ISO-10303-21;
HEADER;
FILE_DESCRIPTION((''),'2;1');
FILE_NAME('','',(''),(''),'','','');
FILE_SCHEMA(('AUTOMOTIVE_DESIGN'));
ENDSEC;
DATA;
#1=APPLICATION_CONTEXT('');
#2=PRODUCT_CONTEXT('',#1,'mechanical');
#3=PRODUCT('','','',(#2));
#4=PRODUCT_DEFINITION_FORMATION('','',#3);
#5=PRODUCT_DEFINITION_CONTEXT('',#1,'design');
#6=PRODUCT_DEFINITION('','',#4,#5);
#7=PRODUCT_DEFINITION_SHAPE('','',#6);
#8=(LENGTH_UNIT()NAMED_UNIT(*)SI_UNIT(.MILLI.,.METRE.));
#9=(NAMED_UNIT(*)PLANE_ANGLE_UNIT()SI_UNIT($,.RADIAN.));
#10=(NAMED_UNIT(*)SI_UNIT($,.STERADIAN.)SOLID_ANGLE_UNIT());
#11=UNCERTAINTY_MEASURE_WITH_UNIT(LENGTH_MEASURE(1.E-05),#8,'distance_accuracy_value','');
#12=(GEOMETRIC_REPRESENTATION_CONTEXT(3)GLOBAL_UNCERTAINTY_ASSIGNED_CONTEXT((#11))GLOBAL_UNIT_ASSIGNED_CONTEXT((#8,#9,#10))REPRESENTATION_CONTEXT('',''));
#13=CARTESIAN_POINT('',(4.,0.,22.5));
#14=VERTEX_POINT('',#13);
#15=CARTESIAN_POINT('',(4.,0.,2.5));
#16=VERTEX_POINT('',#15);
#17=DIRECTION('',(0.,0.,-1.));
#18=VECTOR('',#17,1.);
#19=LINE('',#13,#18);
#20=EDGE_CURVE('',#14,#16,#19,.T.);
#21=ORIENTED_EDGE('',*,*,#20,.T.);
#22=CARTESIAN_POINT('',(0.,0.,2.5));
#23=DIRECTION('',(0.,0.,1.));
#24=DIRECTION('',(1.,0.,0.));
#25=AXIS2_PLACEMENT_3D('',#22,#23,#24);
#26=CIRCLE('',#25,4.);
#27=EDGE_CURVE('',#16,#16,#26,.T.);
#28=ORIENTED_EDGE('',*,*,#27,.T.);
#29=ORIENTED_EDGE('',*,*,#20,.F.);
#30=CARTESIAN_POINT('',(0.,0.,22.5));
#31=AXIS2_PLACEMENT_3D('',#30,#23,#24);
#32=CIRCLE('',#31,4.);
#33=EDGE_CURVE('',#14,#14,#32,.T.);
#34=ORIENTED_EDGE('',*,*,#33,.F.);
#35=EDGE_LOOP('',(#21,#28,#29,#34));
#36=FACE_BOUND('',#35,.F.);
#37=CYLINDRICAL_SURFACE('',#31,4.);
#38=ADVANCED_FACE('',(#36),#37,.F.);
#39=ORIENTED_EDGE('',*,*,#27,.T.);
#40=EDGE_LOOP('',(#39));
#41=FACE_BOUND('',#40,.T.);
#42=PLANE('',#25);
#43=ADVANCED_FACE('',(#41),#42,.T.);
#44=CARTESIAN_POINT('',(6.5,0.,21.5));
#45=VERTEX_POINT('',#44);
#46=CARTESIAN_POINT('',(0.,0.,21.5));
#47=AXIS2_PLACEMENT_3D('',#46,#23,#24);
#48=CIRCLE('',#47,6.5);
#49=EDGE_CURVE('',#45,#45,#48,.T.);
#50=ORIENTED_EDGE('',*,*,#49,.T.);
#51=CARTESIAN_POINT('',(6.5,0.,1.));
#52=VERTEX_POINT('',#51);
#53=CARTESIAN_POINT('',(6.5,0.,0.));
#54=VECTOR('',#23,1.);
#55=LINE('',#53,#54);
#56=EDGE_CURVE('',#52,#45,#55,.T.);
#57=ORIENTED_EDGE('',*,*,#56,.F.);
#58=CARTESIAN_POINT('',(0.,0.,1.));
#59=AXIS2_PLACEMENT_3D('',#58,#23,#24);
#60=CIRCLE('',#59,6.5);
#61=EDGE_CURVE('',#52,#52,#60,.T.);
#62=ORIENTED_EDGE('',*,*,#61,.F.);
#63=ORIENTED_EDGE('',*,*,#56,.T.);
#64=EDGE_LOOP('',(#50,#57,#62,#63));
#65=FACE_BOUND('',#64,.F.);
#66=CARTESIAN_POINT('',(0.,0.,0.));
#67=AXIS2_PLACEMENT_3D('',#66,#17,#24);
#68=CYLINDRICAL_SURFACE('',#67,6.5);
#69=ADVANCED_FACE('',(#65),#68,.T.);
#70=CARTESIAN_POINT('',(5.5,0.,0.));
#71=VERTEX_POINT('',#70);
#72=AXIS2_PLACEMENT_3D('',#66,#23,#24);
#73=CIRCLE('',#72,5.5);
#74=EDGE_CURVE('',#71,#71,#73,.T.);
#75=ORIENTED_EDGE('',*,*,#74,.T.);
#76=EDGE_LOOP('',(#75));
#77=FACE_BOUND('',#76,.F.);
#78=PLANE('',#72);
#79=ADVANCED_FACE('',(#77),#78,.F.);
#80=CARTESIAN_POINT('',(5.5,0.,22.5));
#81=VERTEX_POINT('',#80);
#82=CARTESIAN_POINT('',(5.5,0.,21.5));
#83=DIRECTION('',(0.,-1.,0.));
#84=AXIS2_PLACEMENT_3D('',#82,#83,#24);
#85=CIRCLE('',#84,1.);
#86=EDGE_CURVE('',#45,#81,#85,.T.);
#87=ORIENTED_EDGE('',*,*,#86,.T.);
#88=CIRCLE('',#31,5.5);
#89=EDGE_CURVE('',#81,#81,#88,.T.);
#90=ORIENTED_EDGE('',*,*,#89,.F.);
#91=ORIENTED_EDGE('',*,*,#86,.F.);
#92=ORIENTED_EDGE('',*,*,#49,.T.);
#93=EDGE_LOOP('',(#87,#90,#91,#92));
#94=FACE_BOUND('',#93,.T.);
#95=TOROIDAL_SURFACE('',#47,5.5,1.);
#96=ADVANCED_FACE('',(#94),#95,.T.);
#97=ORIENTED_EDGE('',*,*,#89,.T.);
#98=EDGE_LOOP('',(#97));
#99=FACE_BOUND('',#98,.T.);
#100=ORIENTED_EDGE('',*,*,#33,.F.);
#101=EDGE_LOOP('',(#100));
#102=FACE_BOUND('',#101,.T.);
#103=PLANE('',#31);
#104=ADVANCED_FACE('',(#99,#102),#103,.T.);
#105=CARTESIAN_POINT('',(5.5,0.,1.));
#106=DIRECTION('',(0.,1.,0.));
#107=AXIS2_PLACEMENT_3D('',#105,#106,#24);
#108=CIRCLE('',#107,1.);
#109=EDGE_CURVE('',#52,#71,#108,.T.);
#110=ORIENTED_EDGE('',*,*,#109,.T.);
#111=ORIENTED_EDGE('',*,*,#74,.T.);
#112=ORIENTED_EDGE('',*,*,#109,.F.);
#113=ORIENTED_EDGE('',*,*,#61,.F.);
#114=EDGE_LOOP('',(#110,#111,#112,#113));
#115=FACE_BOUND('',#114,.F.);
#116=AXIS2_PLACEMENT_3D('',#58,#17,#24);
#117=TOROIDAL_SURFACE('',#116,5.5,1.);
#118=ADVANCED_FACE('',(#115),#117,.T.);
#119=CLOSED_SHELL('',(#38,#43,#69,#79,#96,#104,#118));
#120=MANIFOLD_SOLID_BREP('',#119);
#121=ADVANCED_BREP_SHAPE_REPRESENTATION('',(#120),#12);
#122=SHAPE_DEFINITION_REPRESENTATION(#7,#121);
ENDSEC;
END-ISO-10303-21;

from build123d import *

# Parameters (mm, degrees)
SKETCH_R     = 6.5
PAD_DEPTH    = 22.5
SKETCH001_R  = 4
POCKET_DEPTH = 20
FILLET_R     = 1


with BuildPart() as part:
    # Sketch → Pad (new body)
    with BuildSketch(Plane.XY):
        Circle(SKETCH_R)
    extrude(amount=PAD_DEPTH)

    # Sketch001 (on Face3 of Pad) → Pocket (cut)
    with BuildSketch(Plane.XY.offset(22.5)):
        Circle(SKETCH001_R)
    extrude(amount=-POCKET_DEPTH, mode=Mode.SUBTRACT)

    # Fillet
    fillet_edges = [part.edges().sort_by_distance(p)[0] for p in [
        (6.5, 0, 11.25),
        (-6.5, 0, 0),
        (-6.5, 0, 22.5),
    ]]
    fillet(fillet_edges, radius=FILLET_R)


solid = part.part
